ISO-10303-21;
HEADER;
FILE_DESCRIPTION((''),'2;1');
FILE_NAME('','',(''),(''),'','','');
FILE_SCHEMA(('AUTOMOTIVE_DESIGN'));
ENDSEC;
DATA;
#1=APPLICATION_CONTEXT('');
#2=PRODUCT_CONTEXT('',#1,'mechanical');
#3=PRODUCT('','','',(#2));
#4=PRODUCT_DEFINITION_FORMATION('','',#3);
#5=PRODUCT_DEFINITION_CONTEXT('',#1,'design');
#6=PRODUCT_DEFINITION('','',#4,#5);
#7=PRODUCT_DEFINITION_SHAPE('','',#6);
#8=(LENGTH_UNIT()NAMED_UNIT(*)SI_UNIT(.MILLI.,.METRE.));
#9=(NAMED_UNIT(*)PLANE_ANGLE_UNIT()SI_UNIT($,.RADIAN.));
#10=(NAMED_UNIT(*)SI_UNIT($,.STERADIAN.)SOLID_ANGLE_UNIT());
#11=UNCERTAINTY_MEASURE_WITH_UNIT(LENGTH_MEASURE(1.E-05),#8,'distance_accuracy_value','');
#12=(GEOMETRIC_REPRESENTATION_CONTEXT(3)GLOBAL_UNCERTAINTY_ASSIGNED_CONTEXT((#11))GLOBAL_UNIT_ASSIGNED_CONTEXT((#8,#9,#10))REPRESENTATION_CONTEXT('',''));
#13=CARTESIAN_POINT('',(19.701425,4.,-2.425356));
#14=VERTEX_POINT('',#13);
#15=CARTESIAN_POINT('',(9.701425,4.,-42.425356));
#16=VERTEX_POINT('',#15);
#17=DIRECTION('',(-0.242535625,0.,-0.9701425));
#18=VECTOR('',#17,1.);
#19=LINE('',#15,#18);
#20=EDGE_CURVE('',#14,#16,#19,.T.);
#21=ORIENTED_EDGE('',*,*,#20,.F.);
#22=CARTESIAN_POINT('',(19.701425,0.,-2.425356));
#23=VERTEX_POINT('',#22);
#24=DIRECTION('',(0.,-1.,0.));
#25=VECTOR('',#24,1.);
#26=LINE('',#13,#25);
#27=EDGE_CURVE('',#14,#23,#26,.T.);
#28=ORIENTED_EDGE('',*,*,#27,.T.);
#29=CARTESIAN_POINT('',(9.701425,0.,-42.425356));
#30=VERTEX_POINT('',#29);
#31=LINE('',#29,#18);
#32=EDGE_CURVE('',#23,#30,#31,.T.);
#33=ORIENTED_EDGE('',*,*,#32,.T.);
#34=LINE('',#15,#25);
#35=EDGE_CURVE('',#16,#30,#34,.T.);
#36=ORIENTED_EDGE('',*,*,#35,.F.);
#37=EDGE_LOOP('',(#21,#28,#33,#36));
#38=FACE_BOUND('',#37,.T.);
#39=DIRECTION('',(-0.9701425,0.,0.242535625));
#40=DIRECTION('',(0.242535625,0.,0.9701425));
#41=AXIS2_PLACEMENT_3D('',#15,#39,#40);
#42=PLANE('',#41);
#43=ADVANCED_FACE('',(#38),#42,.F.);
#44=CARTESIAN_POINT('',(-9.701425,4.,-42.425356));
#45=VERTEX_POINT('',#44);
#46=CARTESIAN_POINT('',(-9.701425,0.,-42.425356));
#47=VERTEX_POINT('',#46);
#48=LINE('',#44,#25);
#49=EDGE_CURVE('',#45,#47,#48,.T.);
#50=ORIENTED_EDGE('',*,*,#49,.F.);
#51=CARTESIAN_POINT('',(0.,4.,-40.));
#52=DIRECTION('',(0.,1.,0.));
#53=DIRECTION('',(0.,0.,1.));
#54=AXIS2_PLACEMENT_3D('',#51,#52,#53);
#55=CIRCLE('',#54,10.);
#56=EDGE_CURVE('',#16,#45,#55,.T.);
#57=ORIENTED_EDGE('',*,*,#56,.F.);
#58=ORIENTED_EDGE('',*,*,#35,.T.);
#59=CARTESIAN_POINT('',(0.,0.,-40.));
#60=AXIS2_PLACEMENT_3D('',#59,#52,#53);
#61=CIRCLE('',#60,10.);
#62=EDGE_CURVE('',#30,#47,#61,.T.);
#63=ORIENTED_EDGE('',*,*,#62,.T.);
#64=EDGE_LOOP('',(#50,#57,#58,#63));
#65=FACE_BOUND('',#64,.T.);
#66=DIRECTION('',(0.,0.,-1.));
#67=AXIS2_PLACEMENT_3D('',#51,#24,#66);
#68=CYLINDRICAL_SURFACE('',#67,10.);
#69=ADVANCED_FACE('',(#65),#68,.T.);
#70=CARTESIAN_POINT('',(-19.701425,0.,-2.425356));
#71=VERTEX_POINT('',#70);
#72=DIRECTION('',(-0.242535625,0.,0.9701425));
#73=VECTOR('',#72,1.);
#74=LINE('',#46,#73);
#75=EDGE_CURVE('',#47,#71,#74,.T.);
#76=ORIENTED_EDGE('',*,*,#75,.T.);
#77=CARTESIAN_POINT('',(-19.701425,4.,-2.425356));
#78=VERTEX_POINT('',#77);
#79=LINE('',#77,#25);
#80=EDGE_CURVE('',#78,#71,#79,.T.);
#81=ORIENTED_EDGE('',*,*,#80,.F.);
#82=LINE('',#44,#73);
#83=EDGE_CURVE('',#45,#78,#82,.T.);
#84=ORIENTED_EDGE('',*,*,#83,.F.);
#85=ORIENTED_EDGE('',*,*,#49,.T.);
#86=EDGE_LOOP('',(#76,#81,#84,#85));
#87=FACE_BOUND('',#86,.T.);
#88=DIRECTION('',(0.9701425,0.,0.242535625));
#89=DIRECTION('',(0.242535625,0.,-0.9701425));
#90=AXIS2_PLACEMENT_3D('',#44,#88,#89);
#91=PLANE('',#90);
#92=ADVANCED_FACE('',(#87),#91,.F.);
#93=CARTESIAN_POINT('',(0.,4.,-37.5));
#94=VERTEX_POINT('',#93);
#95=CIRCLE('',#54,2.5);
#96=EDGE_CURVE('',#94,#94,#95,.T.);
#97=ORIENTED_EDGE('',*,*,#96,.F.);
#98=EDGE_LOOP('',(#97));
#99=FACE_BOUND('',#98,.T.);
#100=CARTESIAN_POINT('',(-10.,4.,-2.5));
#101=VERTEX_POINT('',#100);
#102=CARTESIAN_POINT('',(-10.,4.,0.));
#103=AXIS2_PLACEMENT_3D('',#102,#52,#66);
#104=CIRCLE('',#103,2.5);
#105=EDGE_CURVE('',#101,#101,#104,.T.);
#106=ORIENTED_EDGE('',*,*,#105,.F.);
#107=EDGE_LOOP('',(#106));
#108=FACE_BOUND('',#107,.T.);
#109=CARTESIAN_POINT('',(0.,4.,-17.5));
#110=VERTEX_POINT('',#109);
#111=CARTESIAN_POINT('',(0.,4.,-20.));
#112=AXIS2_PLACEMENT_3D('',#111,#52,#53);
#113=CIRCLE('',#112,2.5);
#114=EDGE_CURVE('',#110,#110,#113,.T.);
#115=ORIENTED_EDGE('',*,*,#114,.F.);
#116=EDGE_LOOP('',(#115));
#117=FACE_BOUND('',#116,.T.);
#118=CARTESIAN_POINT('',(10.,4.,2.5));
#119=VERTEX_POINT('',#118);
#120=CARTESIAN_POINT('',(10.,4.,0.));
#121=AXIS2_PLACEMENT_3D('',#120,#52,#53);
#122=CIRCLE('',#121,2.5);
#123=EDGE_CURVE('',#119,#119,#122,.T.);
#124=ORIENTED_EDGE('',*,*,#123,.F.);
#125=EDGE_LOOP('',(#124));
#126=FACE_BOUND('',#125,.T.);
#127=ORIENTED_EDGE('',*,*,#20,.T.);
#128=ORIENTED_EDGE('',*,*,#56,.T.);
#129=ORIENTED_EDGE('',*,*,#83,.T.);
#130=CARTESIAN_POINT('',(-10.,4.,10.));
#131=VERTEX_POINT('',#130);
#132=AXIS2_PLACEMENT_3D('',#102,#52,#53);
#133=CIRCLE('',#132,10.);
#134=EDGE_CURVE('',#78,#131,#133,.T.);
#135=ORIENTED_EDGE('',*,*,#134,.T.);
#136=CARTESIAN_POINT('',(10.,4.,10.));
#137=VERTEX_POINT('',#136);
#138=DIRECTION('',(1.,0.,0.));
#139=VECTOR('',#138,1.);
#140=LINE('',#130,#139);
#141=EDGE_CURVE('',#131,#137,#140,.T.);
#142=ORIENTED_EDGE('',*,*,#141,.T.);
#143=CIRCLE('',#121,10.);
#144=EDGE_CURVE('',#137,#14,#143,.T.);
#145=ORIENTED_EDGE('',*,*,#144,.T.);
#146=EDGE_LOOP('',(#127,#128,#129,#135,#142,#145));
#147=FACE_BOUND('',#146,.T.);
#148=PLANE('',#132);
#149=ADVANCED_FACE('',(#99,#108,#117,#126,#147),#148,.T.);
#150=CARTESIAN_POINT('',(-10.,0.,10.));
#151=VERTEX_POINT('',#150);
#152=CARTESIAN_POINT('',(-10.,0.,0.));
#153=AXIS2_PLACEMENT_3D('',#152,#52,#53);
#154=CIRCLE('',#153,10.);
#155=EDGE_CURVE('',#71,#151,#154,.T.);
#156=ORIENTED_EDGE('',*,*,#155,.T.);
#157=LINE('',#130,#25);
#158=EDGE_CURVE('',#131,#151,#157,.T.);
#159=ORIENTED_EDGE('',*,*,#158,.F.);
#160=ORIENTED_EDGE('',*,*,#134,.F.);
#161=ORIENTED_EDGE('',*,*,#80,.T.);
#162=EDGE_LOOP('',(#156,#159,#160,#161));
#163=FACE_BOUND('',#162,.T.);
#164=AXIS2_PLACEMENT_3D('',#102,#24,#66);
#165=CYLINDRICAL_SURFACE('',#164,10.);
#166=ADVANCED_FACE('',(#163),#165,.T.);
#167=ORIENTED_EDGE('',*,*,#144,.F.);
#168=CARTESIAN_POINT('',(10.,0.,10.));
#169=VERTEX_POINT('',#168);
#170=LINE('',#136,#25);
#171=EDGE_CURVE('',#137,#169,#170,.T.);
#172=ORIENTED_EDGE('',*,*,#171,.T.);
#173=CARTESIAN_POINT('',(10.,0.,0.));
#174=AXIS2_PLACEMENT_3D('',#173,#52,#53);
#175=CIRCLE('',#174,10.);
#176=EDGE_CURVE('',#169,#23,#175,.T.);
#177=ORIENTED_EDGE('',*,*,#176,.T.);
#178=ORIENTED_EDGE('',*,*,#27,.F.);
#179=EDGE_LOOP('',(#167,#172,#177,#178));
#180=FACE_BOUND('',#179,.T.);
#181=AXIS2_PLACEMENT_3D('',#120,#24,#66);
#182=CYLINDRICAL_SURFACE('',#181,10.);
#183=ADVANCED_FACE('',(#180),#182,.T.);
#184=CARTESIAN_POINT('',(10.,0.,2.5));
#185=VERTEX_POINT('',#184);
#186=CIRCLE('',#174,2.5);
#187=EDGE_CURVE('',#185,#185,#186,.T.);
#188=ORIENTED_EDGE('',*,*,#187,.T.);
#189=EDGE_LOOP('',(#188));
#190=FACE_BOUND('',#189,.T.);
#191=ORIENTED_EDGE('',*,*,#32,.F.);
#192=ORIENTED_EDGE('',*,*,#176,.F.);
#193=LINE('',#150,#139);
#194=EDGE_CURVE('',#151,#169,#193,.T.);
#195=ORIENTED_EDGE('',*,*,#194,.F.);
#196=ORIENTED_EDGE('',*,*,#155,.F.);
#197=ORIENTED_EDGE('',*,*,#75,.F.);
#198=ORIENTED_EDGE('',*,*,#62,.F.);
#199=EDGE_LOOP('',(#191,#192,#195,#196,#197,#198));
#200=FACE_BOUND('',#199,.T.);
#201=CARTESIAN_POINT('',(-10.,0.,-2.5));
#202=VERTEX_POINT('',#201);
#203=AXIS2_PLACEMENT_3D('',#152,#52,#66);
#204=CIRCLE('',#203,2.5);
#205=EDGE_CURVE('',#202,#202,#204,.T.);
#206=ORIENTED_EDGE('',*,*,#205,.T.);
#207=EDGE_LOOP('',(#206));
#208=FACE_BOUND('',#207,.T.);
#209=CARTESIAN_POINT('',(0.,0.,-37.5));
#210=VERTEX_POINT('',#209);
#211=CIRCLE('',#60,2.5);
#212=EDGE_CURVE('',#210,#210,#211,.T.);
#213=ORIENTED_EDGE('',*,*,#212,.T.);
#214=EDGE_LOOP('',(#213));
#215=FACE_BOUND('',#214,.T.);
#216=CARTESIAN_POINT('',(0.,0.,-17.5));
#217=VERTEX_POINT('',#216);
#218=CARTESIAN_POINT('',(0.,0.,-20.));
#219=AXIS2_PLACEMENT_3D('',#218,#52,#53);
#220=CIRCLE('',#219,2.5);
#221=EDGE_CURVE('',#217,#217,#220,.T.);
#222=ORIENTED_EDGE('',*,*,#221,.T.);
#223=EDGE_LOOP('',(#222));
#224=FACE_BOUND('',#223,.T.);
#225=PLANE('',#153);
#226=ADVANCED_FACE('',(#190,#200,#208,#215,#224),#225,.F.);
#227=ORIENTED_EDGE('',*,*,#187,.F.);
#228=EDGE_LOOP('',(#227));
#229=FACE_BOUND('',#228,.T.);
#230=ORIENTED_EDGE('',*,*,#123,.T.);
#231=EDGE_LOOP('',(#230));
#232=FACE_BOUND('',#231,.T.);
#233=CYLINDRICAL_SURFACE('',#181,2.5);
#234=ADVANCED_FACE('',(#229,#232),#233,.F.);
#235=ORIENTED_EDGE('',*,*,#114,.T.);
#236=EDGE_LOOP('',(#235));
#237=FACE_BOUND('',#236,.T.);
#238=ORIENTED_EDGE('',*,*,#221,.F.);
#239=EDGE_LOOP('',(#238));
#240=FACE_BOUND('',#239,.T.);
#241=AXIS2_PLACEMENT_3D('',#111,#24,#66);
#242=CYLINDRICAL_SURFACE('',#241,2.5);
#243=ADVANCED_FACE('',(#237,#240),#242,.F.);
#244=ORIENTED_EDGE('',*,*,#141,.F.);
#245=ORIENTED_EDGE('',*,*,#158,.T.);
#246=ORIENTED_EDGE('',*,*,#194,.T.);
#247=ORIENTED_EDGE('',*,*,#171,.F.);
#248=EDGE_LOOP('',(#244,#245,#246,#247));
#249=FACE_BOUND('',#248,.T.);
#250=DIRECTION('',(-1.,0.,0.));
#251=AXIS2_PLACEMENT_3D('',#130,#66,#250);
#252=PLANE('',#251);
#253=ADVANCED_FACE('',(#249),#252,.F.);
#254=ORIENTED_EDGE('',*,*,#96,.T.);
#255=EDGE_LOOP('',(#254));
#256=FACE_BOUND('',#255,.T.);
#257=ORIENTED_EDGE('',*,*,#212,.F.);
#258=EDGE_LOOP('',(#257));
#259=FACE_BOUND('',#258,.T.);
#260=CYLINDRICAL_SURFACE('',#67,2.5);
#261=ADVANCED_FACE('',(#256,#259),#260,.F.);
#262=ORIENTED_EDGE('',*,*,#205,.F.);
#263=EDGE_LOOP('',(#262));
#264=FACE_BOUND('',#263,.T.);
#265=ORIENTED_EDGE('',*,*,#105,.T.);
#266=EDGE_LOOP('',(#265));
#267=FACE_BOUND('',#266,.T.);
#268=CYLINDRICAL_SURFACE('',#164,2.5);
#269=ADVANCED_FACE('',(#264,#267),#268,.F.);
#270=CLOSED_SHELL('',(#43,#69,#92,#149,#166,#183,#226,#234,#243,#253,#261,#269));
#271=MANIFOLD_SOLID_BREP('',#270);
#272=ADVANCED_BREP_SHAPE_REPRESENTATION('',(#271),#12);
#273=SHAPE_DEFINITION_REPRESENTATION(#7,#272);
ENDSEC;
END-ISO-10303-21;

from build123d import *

# Parameters (mm, degrees)
SKETCH1_R           = 2.5
BOSS_EXTRUDE1_DEPTH = 4


with BuildPart() as part:
    # Sketch1 → Boss-Extrude1 (new body)
    with BuildSketch(Plane(origin=(0, 0, 0), x_dir=(1, 0, 0), z_dir=(0, 1, 0))):
        with BuildLine():
            Line((-9.701425001, 42.42535625), (-19.701425001, 2.42535625))
            ThreePointArc((-19.701425001, 2.42535625), (-17.88205438, -6.154122094), (-10, -10))
            Line((-10, -10), (10, -10))
            ThreePointArc((10, -10), (17.88205438, -6.154122094), (19.701425001, 2.42535625))
            Line((19.701425001, 2.42535625), (9.701425001, 42.42535625))
            ThreePointArc((9.701425001, 42.42535625), (0, 50), (-9.701425001, 42.42535625))
        make_face()
        with Locations(Location((10, 0, 0), (0, 0, 270))):
            Circle(SKETCH1_R, mode=Mode.SUBTRACT)
        with Locations(Location((-10, 0, 0), (0, 0, 90))):
            Circle(SKETCH1_R, mode=Mode.SUBTRACT)
        with Locations(Location((0, 20, 0), (0, 0, 270))):
            Circle(SKETCH1_R, mode=Mode.SUBTRACT)
        with Locations(Location((0, 40, 0), (0, 0, 270))):
            Circle(SKETCH1_R, mode=Mode.SUBTRACT)
    extrude(amount=BOSS_EXTRUDE1_DEPTH)


solid = part.part
